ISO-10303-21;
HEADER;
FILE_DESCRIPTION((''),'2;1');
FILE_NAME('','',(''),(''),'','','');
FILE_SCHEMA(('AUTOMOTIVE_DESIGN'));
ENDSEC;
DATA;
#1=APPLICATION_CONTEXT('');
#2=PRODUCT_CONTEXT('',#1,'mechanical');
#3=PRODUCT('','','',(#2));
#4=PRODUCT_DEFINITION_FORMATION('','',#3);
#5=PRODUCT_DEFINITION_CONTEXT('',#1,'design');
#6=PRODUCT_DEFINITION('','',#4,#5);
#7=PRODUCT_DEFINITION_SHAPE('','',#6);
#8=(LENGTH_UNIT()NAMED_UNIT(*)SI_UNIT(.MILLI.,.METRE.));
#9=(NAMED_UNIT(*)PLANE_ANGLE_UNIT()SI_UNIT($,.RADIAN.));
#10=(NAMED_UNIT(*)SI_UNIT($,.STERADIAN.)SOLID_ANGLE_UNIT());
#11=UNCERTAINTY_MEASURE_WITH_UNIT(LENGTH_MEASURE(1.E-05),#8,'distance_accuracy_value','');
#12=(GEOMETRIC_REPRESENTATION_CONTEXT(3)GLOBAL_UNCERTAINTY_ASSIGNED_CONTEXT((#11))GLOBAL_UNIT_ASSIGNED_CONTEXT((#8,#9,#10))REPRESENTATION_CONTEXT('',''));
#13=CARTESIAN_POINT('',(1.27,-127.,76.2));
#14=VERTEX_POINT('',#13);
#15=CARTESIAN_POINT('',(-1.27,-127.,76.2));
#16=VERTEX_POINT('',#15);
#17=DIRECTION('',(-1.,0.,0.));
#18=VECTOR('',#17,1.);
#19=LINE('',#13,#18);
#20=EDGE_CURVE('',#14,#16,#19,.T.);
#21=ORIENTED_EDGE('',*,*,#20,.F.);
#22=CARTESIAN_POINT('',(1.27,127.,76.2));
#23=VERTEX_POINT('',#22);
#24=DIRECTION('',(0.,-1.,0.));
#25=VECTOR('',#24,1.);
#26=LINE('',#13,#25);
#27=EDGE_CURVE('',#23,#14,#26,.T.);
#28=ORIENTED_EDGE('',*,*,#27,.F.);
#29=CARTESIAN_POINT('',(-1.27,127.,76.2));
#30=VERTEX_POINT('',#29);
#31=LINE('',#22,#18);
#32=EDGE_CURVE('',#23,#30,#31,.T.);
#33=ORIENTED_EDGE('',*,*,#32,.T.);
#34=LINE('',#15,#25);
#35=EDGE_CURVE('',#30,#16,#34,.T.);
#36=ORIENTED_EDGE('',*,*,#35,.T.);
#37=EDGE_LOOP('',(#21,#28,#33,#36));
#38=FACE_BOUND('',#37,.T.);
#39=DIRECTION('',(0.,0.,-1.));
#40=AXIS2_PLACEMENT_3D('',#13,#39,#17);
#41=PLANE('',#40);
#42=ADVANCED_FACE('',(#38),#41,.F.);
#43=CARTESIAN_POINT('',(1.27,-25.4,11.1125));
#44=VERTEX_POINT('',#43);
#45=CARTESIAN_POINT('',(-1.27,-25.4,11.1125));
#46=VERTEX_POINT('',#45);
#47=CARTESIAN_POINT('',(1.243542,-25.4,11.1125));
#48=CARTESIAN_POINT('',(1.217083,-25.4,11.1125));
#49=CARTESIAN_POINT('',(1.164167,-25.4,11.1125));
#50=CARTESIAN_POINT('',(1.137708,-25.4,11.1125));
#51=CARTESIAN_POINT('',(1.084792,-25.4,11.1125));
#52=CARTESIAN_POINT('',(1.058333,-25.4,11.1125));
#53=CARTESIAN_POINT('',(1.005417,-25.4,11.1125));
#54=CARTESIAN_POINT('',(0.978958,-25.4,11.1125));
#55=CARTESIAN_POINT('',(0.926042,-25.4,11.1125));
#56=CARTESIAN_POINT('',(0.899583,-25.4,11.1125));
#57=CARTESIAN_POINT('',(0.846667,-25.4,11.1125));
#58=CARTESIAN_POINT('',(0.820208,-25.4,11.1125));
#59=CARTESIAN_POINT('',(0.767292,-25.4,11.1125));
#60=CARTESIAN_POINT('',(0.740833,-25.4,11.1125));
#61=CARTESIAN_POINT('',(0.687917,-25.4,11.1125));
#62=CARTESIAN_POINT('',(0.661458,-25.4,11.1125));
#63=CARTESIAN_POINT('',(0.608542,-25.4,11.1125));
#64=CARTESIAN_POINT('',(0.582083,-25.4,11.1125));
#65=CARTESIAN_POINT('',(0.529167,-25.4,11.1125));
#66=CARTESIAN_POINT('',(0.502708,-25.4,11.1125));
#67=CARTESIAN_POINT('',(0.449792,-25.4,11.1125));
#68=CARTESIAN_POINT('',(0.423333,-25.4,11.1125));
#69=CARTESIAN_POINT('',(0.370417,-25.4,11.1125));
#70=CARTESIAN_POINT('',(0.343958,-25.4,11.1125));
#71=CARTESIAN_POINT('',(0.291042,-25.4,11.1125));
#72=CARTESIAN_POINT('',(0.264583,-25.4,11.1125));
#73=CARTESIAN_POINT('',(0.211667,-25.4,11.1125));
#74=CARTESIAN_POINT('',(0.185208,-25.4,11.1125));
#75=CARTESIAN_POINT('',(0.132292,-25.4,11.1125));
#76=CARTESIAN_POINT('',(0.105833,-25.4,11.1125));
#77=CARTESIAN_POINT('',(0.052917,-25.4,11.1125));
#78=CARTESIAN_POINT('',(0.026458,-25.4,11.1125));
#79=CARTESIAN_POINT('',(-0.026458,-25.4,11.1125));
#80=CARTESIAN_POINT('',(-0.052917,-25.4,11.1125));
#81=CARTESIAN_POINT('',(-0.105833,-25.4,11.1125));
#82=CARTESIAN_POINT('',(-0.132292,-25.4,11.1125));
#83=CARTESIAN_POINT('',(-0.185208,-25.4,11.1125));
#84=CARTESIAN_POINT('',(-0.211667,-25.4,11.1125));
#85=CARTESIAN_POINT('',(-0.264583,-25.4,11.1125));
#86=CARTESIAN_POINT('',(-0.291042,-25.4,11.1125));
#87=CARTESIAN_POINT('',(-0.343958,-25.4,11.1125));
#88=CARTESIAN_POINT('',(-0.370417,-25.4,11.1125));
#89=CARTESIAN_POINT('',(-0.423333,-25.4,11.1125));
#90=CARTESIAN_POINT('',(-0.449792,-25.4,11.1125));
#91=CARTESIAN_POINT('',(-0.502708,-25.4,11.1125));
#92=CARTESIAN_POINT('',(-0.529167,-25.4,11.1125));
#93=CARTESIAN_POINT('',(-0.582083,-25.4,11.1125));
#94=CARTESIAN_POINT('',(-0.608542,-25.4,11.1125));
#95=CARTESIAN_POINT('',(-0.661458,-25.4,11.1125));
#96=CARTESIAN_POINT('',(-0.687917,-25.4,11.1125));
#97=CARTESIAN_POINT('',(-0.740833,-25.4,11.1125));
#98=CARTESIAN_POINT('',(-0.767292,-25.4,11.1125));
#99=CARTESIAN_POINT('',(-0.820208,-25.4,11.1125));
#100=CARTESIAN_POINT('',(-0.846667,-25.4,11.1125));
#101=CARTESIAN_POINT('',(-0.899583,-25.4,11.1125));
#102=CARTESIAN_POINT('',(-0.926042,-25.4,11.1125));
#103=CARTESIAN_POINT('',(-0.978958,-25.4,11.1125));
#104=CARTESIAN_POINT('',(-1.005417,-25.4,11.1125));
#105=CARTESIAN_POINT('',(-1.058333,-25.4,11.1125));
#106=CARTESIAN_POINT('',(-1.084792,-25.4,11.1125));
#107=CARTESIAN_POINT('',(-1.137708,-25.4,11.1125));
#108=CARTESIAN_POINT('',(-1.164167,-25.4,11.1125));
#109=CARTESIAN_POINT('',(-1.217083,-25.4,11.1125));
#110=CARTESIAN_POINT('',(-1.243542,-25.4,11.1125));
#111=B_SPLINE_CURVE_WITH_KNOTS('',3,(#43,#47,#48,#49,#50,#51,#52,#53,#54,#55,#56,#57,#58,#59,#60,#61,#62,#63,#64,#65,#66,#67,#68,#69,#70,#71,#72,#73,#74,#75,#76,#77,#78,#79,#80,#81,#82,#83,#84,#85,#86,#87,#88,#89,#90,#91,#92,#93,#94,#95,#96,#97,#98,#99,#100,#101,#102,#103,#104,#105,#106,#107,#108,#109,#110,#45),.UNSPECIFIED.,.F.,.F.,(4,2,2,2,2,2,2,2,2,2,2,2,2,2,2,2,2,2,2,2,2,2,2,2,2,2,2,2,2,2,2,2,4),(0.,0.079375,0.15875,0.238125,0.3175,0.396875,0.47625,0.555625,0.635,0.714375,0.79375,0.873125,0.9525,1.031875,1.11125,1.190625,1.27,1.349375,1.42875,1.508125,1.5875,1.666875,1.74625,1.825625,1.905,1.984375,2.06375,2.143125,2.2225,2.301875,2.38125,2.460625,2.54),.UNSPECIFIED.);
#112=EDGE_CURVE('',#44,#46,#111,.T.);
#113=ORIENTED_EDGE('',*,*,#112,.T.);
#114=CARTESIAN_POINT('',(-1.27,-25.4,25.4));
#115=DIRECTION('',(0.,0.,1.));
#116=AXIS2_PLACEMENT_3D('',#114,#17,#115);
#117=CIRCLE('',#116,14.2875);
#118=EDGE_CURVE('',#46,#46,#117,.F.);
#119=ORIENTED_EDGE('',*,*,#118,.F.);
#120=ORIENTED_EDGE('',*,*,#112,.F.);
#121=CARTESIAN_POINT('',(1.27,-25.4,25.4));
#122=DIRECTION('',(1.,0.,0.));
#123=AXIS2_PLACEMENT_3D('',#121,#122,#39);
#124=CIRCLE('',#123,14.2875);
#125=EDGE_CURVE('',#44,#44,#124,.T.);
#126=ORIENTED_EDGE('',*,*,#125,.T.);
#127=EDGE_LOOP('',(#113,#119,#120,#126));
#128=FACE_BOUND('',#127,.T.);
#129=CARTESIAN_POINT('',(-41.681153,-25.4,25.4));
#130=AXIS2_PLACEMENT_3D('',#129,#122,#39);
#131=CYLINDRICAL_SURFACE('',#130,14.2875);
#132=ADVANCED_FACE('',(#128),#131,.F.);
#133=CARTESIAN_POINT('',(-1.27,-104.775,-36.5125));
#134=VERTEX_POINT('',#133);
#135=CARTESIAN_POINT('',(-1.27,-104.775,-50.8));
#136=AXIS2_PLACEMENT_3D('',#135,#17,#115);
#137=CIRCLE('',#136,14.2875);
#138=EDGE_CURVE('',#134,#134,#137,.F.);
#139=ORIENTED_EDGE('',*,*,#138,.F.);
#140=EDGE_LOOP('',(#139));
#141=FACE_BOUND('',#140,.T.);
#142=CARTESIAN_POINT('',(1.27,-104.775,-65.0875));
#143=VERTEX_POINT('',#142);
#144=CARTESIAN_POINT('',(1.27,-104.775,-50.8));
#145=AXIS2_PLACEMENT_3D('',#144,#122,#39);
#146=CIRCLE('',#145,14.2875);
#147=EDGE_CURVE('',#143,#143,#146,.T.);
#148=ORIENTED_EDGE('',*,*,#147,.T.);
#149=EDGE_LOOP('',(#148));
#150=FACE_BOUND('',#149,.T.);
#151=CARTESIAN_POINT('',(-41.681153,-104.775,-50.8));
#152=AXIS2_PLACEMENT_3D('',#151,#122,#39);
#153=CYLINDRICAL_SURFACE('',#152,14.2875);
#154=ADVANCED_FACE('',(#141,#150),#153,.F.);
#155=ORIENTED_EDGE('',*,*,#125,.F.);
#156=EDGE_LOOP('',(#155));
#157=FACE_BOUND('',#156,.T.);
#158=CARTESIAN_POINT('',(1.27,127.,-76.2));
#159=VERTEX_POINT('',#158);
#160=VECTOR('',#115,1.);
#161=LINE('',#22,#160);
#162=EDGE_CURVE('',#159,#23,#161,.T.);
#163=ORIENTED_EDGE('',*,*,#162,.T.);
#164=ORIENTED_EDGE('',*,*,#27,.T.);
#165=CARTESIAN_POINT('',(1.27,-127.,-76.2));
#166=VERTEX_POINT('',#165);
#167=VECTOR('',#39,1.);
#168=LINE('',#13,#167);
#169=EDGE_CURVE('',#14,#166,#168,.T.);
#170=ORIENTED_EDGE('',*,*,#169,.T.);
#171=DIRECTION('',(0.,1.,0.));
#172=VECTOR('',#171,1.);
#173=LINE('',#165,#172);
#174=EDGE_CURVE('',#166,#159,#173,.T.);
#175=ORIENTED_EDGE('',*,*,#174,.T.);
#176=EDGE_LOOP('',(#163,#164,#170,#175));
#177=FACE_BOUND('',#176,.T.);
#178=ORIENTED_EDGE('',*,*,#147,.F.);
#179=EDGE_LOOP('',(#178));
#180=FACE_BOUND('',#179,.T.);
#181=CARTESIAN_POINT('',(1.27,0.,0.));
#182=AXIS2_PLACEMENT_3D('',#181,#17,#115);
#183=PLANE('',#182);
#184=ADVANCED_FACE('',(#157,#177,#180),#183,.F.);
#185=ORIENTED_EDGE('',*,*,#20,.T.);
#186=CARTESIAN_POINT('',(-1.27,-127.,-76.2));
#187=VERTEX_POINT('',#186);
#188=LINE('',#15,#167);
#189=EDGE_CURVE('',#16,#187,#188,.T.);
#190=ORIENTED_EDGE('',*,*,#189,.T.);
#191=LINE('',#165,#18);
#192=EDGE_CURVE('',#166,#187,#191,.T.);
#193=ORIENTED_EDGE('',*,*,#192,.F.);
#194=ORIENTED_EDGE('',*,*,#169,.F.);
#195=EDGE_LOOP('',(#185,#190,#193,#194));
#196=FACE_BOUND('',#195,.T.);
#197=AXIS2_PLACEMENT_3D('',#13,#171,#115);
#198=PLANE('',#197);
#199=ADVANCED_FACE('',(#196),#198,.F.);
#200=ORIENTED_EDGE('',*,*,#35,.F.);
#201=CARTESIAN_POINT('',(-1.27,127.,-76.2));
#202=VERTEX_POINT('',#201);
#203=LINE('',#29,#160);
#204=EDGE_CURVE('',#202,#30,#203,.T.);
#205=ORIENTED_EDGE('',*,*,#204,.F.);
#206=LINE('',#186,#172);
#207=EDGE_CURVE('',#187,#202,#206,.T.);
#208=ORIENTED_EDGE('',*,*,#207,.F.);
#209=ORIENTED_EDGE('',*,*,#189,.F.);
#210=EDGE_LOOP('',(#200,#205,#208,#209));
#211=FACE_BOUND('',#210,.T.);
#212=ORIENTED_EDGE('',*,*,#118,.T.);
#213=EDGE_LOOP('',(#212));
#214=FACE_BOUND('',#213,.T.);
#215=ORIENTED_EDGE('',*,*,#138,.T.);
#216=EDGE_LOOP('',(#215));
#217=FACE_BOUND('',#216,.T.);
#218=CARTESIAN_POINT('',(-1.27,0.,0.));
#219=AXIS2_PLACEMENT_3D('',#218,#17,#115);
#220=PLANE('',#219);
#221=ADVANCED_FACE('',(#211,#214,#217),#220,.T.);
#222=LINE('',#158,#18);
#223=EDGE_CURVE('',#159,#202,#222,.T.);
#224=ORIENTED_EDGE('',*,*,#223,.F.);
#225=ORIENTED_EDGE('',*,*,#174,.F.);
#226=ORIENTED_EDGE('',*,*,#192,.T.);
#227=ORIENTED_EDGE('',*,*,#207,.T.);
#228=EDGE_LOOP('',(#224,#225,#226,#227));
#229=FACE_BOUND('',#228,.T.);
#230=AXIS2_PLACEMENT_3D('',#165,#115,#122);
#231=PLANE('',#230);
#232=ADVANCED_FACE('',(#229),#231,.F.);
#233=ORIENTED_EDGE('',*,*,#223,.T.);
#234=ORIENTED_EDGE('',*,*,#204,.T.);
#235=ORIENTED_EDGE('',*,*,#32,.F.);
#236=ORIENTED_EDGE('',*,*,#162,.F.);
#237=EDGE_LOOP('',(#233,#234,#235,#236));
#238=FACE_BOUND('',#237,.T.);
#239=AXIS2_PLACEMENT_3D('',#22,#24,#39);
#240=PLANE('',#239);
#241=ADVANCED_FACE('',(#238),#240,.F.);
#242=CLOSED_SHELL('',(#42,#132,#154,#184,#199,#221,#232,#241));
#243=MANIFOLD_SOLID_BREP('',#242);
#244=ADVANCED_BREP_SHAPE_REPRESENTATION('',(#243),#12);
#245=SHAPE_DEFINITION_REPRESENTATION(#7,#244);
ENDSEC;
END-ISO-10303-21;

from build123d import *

# Parameters (mm, degrees)
SKETCH1_W                       = 152.4
SKETCH1_H                       = 254
BOSS_EXTRUDE1_DEPTH             = 1.27
SKETCH2_R                       = 14.2875
UPPER_INTAKE_BEARING_HOLE_DEPTH = 2.54
SKETCH3_R                       = 14.2875
LOWER_INTAKE_BEARING_HOLE_DEPTH = 2.54


with BuildPart() as part:
    # Sketch1 → Boss-Extrude1 (new, symmetric)
    with BuildSketch(Plane(origin=(0, 0, 0), x_dir=(0, 0, -1), z_dir=(1, 0, 0))):
        Rectangle(SKETCH1_W, SKETCH1_H)
    extrude(amount=BOSS_EXTRUDE1_DEPTH, both=True)

    # Sketch2 → upper intake bearing hole (cut)
    with BuildSketch(Plane(origin=(1.27, 0, 0), x_dir=(0, 0, -1), z_dir=(1, 0, 0))):
        with Locations((-25.4, -25.4)):
            Circle(SKETCH2_R)
    extrude(amount=-UPPER_INTAKE_BEARING_HOLE_DEPTH, mode=Mode.SUBTRACT)

    # Sketch3 → lower intake bearing hole (cut)
    with BuildSketch(Plane(origin=(1.27, 0, 0), x_dir=(0, 0, -1), z_dir=(1, 0, 0))):
        with Locations((50.8, -104.775)):
            Circle(SKETCH3_R)
    extrude(amount=-LOWER_INTAKE_BEARING_HOLE_DEPTH, mode=Mode.SUBTRACT)


solid = part.part
